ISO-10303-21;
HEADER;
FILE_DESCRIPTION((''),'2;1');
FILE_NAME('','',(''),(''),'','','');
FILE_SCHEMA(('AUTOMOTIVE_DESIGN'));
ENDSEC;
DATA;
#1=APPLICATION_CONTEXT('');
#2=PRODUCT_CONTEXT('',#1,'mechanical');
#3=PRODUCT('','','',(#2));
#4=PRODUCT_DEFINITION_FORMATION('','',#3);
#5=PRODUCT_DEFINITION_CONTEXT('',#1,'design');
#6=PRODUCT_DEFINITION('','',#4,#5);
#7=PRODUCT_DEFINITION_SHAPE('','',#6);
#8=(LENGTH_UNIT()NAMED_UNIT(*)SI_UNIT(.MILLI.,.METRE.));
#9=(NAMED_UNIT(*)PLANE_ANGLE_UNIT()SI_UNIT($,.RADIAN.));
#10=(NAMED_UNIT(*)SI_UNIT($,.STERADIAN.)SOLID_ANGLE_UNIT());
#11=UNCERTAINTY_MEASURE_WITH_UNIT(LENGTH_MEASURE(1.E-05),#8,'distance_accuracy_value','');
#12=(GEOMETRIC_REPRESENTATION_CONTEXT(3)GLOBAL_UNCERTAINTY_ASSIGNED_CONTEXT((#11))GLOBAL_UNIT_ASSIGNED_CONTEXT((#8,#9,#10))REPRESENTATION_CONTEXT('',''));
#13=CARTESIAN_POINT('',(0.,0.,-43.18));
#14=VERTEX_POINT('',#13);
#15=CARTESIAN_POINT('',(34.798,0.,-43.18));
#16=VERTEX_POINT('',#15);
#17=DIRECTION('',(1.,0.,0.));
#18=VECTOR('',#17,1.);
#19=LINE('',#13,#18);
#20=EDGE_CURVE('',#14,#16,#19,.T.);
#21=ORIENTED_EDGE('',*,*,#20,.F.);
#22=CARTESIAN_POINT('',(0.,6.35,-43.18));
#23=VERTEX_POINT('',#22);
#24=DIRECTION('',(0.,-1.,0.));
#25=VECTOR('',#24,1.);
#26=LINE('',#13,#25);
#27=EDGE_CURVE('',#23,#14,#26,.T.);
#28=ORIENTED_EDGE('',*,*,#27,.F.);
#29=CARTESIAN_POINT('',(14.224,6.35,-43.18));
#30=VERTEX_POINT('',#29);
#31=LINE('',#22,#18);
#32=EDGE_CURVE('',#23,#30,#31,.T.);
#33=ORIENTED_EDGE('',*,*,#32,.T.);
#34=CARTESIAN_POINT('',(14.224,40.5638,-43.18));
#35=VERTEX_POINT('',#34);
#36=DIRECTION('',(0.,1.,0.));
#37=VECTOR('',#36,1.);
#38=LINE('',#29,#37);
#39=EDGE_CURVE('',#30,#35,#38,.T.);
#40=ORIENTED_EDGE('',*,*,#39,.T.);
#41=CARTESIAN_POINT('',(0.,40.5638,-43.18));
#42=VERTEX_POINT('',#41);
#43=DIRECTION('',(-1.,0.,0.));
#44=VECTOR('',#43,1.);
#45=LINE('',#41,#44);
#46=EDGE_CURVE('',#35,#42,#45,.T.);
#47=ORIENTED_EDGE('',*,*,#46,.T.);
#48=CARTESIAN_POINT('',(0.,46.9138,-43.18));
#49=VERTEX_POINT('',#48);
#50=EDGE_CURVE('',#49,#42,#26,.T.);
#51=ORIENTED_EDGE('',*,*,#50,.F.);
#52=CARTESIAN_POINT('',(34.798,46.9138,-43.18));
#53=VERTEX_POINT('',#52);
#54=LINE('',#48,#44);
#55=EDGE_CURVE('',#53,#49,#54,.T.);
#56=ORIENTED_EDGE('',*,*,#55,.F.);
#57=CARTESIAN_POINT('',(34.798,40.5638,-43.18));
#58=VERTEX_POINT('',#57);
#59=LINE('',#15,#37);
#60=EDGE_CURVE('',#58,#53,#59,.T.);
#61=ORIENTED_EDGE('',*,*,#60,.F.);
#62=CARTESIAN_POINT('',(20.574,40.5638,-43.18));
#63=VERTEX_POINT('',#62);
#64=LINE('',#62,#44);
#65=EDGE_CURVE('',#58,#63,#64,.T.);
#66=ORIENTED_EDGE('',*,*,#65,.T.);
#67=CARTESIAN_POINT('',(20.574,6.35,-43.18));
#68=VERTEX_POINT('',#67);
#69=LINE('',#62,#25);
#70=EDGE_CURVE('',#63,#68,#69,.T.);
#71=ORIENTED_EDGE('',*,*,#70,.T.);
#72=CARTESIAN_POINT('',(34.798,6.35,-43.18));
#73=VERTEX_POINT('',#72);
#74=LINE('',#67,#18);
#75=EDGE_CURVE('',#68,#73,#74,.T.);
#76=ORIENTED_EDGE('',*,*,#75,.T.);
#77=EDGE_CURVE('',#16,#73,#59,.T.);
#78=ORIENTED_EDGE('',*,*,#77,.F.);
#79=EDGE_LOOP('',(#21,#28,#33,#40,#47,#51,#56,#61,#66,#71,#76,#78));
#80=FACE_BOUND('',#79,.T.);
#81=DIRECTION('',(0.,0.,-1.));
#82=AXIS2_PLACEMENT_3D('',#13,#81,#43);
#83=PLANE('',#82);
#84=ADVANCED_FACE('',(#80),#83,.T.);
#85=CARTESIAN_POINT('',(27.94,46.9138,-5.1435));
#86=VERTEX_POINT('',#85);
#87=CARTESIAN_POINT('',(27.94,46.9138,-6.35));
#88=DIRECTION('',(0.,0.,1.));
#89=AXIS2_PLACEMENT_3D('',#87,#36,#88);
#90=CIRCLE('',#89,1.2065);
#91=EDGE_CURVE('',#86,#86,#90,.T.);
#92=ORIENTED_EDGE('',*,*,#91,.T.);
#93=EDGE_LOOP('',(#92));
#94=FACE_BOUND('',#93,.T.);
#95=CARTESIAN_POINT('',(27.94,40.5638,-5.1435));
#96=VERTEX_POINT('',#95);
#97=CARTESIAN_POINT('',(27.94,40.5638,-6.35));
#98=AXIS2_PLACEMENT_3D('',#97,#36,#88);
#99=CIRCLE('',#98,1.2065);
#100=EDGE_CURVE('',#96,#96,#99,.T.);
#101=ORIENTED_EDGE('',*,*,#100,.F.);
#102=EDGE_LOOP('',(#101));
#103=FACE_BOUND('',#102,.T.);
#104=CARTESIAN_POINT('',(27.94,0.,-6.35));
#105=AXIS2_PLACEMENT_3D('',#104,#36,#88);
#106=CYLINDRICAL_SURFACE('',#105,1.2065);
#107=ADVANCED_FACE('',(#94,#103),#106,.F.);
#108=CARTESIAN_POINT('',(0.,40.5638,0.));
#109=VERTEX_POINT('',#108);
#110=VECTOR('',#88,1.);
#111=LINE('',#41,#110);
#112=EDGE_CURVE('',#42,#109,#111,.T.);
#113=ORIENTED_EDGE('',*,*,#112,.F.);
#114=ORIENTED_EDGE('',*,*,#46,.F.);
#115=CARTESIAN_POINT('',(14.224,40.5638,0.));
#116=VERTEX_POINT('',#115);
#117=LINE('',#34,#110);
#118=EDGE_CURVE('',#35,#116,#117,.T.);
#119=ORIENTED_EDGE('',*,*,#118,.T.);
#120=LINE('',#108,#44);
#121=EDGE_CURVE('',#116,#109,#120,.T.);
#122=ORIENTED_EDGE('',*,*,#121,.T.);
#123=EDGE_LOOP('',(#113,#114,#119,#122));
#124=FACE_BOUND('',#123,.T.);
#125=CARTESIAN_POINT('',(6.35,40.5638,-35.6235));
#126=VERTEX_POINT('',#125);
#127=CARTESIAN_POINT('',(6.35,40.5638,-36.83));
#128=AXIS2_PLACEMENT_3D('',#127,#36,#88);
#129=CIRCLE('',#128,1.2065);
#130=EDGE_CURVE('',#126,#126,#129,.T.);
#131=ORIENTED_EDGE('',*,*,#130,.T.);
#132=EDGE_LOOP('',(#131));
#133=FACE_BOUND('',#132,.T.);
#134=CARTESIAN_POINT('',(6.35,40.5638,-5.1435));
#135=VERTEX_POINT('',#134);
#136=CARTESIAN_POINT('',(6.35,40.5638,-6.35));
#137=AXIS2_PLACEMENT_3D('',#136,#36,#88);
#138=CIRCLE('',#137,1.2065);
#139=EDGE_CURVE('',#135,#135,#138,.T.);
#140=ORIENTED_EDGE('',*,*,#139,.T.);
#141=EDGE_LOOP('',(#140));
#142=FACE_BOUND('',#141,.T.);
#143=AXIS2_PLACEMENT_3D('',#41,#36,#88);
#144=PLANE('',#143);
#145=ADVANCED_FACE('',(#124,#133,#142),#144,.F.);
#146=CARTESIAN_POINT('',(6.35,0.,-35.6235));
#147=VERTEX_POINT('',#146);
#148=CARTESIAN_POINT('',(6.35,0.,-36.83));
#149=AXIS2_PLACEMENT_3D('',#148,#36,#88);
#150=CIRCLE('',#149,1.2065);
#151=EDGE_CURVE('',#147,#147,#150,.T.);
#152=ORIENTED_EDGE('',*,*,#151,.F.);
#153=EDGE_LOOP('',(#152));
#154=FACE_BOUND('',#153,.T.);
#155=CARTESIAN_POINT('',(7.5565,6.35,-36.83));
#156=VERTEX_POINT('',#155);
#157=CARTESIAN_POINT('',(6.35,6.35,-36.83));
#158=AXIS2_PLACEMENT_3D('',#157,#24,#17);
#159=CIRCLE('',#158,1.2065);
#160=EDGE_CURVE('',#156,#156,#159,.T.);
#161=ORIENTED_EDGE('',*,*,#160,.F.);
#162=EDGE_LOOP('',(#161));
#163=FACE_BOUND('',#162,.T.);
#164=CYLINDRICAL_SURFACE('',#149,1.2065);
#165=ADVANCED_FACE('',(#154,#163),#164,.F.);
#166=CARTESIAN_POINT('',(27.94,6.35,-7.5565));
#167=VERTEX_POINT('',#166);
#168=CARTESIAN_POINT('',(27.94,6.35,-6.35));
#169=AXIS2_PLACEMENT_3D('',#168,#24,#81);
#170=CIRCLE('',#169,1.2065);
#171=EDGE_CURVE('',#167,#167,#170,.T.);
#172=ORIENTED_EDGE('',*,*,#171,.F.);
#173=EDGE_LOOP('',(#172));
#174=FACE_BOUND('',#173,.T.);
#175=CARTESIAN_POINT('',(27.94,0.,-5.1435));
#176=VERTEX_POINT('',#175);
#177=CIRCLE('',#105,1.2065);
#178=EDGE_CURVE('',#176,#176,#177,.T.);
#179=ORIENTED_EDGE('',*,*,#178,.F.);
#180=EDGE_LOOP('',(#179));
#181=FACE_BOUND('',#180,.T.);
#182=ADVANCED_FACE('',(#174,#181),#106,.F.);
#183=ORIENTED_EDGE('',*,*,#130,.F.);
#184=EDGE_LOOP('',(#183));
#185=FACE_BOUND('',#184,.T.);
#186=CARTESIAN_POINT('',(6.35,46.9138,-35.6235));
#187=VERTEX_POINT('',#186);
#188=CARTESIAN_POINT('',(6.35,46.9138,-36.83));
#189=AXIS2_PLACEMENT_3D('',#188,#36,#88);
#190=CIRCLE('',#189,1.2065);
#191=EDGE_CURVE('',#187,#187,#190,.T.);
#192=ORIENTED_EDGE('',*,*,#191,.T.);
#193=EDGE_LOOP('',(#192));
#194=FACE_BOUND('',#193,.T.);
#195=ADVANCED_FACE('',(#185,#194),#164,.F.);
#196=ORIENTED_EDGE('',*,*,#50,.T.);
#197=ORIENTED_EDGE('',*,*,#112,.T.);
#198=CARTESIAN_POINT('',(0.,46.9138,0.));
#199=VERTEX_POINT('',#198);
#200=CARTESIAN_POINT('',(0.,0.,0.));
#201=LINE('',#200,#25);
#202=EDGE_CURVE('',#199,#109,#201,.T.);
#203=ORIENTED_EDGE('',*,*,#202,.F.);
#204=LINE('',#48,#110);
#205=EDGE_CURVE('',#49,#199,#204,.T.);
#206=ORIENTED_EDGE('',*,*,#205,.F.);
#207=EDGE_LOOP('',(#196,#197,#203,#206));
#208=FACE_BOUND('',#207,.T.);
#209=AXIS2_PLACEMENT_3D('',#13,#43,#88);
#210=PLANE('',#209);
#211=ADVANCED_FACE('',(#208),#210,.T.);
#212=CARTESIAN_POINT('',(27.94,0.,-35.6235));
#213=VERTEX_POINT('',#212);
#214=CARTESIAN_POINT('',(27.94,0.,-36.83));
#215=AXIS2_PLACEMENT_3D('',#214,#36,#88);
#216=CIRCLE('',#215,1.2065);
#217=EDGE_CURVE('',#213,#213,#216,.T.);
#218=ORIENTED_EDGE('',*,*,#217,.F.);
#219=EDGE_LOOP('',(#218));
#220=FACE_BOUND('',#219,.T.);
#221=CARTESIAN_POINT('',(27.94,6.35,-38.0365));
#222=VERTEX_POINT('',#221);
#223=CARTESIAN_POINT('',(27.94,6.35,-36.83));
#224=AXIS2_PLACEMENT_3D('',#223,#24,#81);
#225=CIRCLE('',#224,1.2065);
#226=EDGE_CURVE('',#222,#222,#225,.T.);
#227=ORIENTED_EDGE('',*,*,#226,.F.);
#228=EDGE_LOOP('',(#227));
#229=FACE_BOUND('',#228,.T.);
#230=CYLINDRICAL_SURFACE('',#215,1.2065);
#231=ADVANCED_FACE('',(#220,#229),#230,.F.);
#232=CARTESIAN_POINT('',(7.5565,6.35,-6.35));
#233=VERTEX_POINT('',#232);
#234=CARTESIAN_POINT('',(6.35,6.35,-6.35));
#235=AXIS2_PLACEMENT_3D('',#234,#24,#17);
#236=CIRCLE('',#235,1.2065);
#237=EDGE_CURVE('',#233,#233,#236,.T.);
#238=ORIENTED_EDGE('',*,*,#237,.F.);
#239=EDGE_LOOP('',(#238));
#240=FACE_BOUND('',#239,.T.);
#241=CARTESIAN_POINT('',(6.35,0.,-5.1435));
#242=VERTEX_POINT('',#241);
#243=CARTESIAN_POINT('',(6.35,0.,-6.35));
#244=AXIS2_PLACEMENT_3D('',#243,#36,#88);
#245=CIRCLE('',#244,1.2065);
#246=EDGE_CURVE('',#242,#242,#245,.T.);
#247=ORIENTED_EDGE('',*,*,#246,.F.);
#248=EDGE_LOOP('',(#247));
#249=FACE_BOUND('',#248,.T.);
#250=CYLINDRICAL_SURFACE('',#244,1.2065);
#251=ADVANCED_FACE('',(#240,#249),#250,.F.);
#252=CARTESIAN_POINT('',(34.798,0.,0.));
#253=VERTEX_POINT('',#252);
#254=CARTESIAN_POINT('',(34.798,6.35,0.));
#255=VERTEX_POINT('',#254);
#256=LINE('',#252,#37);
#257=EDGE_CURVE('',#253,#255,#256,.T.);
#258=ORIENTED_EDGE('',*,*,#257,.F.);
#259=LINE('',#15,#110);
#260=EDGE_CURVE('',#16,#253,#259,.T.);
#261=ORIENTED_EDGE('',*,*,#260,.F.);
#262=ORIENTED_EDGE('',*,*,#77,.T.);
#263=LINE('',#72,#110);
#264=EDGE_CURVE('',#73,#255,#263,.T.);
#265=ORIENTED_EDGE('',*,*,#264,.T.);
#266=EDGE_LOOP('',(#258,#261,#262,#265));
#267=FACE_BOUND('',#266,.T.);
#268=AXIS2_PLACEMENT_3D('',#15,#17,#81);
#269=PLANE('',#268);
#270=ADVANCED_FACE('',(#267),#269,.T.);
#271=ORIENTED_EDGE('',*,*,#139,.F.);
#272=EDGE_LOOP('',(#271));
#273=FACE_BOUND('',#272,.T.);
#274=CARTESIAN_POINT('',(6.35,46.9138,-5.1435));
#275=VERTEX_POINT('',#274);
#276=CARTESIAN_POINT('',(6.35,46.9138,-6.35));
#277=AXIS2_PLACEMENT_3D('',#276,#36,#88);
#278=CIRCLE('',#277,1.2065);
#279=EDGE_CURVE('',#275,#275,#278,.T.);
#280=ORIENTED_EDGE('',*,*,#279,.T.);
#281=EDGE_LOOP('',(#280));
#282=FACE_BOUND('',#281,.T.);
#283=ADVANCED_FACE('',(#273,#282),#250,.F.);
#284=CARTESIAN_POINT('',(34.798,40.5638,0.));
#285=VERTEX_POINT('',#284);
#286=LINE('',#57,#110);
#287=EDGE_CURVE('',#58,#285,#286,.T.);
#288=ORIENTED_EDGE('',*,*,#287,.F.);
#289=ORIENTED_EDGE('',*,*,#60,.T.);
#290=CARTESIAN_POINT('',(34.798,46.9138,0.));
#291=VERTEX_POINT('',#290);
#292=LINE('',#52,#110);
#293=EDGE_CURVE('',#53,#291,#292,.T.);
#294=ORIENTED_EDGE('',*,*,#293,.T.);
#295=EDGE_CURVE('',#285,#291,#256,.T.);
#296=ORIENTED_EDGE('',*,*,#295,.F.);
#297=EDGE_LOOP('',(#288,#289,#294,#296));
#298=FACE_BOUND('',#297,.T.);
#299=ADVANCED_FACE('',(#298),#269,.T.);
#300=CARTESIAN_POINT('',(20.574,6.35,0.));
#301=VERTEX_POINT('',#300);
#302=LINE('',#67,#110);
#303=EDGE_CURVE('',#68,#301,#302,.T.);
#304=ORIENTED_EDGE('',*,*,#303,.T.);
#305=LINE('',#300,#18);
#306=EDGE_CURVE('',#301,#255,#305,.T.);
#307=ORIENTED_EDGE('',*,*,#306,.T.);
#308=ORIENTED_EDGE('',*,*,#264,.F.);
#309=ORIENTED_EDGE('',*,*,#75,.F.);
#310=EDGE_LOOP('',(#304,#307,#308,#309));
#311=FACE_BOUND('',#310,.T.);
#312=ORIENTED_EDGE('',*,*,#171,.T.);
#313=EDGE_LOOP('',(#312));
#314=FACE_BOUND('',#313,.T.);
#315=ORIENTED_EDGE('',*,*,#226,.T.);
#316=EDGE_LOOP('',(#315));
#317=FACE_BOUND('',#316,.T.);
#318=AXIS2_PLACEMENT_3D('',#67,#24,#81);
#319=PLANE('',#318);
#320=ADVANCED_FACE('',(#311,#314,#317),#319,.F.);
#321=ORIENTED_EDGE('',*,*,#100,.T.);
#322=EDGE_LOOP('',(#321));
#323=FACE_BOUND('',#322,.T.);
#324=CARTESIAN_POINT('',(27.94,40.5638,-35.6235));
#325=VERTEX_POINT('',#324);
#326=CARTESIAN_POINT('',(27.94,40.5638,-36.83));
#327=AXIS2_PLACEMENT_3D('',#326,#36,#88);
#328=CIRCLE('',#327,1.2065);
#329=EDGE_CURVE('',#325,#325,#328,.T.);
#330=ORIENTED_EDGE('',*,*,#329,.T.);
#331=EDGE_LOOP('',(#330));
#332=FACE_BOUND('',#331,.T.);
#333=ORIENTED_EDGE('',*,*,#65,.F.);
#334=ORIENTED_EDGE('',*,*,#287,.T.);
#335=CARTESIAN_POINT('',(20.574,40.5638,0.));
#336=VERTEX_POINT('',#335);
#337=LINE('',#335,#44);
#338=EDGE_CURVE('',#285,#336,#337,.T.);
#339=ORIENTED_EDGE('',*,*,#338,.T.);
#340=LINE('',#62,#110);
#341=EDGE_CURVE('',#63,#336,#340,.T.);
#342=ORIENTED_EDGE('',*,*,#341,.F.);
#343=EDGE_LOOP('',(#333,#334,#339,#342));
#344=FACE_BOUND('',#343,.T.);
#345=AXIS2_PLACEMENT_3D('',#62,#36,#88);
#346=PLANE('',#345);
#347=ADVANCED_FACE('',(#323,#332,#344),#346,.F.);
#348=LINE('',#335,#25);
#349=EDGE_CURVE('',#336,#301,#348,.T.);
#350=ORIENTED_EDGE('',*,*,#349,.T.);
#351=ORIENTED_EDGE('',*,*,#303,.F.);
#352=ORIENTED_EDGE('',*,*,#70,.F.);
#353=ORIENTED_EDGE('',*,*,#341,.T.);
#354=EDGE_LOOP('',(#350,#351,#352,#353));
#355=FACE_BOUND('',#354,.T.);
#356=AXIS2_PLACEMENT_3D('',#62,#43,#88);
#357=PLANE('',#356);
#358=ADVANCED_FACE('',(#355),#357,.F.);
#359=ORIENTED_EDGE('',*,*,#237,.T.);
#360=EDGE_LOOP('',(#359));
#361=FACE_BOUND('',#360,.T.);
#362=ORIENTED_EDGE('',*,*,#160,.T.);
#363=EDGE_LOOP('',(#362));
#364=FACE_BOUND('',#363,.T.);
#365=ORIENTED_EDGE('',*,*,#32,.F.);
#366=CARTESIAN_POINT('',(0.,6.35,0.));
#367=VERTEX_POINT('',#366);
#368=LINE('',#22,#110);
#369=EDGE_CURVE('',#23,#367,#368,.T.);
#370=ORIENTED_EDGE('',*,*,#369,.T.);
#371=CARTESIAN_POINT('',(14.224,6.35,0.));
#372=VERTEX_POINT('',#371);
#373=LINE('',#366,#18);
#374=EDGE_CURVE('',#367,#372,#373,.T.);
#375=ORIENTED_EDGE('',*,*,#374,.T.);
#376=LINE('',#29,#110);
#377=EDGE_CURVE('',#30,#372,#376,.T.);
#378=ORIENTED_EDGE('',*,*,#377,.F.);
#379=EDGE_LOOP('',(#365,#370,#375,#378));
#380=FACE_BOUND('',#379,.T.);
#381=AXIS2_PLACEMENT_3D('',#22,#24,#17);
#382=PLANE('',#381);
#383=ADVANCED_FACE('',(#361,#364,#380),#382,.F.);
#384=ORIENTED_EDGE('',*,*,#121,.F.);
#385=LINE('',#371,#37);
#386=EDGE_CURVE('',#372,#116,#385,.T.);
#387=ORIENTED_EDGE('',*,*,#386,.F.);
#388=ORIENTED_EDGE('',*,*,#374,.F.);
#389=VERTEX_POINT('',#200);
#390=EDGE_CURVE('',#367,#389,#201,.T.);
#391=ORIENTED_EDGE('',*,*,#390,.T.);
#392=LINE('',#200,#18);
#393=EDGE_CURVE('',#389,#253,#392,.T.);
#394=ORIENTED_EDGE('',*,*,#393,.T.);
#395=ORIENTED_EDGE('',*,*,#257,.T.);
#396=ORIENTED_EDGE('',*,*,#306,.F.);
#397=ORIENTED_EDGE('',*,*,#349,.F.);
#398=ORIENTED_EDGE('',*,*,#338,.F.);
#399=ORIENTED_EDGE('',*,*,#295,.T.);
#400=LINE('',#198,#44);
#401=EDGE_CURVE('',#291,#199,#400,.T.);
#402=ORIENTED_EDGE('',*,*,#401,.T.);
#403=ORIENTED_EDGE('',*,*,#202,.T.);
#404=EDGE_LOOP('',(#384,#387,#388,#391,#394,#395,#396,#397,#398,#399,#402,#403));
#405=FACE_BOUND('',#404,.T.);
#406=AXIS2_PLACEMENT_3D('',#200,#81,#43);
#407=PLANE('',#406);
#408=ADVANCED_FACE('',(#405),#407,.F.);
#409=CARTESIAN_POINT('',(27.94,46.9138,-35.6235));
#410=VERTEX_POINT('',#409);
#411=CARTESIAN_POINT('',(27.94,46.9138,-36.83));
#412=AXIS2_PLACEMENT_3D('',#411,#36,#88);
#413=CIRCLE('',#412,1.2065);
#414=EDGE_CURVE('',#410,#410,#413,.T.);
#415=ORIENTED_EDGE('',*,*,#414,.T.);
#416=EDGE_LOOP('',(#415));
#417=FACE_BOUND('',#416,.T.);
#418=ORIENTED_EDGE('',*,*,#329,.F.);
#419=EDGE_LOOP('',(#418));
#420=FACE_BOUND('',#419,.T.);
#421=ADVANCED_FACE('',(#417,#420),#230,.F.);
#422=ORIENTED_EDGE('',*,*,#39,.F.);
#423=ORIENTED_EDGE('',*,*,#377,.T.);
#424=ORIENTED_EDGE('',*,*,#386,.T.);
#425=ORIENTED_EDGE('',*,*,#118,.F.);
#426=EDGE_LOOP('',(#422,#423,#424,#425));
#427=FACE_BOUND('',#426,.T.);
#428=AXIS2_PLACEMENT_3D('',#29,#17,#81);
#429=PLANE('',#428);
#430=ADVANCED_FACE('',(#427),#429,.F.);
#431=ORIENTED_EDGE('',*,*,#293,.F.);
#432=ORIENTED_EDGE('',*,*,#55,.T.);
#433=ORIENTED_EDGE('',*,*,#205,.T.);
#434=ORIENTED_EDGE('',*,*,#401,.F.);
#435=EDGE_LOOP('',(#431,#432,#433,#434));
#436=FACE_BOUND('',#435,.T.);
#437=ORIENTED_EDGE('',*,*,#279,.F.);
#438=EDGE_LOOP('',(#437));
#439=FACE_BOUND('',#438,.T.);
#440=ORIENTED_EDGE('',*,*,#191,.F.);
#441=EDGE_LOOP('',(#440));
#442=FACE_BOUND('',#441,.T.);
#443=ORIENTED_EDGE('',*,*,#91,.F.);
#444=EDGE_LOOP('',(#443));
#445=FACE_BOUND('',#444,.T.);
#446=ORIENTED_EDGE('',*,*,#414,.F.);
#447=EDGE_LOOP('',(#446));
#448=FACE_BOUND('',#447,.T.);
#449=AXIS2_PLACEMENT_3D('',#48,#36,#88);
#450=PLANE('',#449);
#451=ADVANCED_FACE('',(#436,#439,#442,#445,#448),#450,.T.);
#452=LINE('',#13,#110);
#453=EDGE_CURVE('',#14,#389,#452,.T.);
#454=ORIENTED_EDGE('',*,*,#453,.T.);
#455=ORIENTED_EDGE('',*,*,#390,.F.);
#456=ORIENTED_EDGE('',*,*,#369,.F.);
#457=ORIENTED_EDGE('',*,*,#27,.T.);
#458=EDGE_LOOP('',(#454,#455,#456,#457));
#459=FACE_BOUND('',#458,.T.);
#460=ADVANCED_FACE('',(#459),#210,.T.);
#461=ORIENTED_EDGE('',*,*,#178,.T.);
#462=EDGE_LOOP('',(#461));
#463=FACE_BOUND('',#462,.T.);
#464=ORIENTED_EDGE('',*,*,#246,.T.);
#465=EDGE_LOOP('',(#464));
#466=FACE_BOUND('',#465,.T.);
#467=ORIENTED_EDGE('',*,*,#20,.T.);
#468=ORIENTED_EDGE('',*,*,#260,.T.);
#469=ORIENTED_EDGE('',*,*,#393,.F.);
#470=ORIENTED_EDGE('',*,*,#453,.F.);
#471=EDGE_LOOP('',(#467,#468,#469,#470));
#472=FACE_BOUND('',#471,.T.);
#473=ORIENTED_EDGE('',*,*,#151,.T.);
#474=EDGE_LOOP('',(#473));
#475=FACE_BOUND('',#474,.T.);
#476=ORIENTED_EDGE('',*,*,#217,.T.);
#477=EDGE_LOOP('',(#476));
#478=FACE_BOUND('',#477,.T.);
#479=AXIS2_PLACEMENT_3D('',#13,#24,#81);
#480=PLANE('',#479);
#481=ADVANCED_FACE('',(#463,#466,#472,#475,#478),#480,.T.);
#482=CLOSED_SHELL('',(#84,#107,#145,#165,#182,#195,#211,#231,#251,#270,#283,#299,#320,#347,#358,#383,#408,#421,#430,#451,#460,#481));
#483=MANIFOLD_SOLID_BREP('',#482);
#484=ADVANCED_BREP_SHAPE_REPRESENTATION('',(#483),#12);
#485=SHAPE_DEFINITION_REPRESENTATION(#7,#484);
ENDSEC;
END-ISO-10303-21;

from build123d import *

# Parameters (mm, degrees)
SKETCH1_W           = 34.798
SKETCH1_H           = 46.9138
BOSS_EXTRUDE1_DEPTH = 43.18
SKETCH2_W           = 14.224
SKETCH2_H           = 34.2138
CUT_EXTRUDE1_DEPTH  = 43.18
SKETCH3_R           = 1.2065
CUT_EXTRUDE2_DEPTH  = 47.9138


with BuildPart() as part:
    # Sketch1 → Boss-Extrude1 (new body)
    with BuildSketch(Plane.XY):
        with Locations((17.399, 23.4569)):
            Rectangle(SKETCH1_W, SKETCH1_H)
    extrude(amount=-BOSS_EXTRUDE1_DEPTH)

    # Sketch2 → Cut-Extrude1 (cut)
    with BuildSketch(Plane.XY):
        with Locations((7.112, 23.4569)):
            Rectangle(SKETCH2_W, SKETCH2_H)
        with Locations((27.686, 23.4569)):
            Rectangle(SKETCH2_W, SKETCH2_H)
    extrude(amount=-CUT_EXTRUDE1_DEPTH, mode=Mode.SUBTRACT)

    # Sketch3 → Cut-Extrude2 (cut, through all)
    with BuildSketch(Plane(origin=(0, 46.9138, 0), x_dir=(1, 0, 0), z_dir=(0, 1, 0))):
        with Locations((6.35, 6.35)):
            Circle(SKETCH3_R)
        with Locations((27.94, 6.35)):
            Circle(SKETCH3_R)
        with Locations((6.35, 36.83)):
            Circle(SKETCH3_R)
        with Locations((27.94, 36.83)):
            Circle(SKETCH3_R)
    extrude(amount=-CUT_EXTRUDE2_DEPTH, mode=Mode.SUBTRACT)


solid = part.part
